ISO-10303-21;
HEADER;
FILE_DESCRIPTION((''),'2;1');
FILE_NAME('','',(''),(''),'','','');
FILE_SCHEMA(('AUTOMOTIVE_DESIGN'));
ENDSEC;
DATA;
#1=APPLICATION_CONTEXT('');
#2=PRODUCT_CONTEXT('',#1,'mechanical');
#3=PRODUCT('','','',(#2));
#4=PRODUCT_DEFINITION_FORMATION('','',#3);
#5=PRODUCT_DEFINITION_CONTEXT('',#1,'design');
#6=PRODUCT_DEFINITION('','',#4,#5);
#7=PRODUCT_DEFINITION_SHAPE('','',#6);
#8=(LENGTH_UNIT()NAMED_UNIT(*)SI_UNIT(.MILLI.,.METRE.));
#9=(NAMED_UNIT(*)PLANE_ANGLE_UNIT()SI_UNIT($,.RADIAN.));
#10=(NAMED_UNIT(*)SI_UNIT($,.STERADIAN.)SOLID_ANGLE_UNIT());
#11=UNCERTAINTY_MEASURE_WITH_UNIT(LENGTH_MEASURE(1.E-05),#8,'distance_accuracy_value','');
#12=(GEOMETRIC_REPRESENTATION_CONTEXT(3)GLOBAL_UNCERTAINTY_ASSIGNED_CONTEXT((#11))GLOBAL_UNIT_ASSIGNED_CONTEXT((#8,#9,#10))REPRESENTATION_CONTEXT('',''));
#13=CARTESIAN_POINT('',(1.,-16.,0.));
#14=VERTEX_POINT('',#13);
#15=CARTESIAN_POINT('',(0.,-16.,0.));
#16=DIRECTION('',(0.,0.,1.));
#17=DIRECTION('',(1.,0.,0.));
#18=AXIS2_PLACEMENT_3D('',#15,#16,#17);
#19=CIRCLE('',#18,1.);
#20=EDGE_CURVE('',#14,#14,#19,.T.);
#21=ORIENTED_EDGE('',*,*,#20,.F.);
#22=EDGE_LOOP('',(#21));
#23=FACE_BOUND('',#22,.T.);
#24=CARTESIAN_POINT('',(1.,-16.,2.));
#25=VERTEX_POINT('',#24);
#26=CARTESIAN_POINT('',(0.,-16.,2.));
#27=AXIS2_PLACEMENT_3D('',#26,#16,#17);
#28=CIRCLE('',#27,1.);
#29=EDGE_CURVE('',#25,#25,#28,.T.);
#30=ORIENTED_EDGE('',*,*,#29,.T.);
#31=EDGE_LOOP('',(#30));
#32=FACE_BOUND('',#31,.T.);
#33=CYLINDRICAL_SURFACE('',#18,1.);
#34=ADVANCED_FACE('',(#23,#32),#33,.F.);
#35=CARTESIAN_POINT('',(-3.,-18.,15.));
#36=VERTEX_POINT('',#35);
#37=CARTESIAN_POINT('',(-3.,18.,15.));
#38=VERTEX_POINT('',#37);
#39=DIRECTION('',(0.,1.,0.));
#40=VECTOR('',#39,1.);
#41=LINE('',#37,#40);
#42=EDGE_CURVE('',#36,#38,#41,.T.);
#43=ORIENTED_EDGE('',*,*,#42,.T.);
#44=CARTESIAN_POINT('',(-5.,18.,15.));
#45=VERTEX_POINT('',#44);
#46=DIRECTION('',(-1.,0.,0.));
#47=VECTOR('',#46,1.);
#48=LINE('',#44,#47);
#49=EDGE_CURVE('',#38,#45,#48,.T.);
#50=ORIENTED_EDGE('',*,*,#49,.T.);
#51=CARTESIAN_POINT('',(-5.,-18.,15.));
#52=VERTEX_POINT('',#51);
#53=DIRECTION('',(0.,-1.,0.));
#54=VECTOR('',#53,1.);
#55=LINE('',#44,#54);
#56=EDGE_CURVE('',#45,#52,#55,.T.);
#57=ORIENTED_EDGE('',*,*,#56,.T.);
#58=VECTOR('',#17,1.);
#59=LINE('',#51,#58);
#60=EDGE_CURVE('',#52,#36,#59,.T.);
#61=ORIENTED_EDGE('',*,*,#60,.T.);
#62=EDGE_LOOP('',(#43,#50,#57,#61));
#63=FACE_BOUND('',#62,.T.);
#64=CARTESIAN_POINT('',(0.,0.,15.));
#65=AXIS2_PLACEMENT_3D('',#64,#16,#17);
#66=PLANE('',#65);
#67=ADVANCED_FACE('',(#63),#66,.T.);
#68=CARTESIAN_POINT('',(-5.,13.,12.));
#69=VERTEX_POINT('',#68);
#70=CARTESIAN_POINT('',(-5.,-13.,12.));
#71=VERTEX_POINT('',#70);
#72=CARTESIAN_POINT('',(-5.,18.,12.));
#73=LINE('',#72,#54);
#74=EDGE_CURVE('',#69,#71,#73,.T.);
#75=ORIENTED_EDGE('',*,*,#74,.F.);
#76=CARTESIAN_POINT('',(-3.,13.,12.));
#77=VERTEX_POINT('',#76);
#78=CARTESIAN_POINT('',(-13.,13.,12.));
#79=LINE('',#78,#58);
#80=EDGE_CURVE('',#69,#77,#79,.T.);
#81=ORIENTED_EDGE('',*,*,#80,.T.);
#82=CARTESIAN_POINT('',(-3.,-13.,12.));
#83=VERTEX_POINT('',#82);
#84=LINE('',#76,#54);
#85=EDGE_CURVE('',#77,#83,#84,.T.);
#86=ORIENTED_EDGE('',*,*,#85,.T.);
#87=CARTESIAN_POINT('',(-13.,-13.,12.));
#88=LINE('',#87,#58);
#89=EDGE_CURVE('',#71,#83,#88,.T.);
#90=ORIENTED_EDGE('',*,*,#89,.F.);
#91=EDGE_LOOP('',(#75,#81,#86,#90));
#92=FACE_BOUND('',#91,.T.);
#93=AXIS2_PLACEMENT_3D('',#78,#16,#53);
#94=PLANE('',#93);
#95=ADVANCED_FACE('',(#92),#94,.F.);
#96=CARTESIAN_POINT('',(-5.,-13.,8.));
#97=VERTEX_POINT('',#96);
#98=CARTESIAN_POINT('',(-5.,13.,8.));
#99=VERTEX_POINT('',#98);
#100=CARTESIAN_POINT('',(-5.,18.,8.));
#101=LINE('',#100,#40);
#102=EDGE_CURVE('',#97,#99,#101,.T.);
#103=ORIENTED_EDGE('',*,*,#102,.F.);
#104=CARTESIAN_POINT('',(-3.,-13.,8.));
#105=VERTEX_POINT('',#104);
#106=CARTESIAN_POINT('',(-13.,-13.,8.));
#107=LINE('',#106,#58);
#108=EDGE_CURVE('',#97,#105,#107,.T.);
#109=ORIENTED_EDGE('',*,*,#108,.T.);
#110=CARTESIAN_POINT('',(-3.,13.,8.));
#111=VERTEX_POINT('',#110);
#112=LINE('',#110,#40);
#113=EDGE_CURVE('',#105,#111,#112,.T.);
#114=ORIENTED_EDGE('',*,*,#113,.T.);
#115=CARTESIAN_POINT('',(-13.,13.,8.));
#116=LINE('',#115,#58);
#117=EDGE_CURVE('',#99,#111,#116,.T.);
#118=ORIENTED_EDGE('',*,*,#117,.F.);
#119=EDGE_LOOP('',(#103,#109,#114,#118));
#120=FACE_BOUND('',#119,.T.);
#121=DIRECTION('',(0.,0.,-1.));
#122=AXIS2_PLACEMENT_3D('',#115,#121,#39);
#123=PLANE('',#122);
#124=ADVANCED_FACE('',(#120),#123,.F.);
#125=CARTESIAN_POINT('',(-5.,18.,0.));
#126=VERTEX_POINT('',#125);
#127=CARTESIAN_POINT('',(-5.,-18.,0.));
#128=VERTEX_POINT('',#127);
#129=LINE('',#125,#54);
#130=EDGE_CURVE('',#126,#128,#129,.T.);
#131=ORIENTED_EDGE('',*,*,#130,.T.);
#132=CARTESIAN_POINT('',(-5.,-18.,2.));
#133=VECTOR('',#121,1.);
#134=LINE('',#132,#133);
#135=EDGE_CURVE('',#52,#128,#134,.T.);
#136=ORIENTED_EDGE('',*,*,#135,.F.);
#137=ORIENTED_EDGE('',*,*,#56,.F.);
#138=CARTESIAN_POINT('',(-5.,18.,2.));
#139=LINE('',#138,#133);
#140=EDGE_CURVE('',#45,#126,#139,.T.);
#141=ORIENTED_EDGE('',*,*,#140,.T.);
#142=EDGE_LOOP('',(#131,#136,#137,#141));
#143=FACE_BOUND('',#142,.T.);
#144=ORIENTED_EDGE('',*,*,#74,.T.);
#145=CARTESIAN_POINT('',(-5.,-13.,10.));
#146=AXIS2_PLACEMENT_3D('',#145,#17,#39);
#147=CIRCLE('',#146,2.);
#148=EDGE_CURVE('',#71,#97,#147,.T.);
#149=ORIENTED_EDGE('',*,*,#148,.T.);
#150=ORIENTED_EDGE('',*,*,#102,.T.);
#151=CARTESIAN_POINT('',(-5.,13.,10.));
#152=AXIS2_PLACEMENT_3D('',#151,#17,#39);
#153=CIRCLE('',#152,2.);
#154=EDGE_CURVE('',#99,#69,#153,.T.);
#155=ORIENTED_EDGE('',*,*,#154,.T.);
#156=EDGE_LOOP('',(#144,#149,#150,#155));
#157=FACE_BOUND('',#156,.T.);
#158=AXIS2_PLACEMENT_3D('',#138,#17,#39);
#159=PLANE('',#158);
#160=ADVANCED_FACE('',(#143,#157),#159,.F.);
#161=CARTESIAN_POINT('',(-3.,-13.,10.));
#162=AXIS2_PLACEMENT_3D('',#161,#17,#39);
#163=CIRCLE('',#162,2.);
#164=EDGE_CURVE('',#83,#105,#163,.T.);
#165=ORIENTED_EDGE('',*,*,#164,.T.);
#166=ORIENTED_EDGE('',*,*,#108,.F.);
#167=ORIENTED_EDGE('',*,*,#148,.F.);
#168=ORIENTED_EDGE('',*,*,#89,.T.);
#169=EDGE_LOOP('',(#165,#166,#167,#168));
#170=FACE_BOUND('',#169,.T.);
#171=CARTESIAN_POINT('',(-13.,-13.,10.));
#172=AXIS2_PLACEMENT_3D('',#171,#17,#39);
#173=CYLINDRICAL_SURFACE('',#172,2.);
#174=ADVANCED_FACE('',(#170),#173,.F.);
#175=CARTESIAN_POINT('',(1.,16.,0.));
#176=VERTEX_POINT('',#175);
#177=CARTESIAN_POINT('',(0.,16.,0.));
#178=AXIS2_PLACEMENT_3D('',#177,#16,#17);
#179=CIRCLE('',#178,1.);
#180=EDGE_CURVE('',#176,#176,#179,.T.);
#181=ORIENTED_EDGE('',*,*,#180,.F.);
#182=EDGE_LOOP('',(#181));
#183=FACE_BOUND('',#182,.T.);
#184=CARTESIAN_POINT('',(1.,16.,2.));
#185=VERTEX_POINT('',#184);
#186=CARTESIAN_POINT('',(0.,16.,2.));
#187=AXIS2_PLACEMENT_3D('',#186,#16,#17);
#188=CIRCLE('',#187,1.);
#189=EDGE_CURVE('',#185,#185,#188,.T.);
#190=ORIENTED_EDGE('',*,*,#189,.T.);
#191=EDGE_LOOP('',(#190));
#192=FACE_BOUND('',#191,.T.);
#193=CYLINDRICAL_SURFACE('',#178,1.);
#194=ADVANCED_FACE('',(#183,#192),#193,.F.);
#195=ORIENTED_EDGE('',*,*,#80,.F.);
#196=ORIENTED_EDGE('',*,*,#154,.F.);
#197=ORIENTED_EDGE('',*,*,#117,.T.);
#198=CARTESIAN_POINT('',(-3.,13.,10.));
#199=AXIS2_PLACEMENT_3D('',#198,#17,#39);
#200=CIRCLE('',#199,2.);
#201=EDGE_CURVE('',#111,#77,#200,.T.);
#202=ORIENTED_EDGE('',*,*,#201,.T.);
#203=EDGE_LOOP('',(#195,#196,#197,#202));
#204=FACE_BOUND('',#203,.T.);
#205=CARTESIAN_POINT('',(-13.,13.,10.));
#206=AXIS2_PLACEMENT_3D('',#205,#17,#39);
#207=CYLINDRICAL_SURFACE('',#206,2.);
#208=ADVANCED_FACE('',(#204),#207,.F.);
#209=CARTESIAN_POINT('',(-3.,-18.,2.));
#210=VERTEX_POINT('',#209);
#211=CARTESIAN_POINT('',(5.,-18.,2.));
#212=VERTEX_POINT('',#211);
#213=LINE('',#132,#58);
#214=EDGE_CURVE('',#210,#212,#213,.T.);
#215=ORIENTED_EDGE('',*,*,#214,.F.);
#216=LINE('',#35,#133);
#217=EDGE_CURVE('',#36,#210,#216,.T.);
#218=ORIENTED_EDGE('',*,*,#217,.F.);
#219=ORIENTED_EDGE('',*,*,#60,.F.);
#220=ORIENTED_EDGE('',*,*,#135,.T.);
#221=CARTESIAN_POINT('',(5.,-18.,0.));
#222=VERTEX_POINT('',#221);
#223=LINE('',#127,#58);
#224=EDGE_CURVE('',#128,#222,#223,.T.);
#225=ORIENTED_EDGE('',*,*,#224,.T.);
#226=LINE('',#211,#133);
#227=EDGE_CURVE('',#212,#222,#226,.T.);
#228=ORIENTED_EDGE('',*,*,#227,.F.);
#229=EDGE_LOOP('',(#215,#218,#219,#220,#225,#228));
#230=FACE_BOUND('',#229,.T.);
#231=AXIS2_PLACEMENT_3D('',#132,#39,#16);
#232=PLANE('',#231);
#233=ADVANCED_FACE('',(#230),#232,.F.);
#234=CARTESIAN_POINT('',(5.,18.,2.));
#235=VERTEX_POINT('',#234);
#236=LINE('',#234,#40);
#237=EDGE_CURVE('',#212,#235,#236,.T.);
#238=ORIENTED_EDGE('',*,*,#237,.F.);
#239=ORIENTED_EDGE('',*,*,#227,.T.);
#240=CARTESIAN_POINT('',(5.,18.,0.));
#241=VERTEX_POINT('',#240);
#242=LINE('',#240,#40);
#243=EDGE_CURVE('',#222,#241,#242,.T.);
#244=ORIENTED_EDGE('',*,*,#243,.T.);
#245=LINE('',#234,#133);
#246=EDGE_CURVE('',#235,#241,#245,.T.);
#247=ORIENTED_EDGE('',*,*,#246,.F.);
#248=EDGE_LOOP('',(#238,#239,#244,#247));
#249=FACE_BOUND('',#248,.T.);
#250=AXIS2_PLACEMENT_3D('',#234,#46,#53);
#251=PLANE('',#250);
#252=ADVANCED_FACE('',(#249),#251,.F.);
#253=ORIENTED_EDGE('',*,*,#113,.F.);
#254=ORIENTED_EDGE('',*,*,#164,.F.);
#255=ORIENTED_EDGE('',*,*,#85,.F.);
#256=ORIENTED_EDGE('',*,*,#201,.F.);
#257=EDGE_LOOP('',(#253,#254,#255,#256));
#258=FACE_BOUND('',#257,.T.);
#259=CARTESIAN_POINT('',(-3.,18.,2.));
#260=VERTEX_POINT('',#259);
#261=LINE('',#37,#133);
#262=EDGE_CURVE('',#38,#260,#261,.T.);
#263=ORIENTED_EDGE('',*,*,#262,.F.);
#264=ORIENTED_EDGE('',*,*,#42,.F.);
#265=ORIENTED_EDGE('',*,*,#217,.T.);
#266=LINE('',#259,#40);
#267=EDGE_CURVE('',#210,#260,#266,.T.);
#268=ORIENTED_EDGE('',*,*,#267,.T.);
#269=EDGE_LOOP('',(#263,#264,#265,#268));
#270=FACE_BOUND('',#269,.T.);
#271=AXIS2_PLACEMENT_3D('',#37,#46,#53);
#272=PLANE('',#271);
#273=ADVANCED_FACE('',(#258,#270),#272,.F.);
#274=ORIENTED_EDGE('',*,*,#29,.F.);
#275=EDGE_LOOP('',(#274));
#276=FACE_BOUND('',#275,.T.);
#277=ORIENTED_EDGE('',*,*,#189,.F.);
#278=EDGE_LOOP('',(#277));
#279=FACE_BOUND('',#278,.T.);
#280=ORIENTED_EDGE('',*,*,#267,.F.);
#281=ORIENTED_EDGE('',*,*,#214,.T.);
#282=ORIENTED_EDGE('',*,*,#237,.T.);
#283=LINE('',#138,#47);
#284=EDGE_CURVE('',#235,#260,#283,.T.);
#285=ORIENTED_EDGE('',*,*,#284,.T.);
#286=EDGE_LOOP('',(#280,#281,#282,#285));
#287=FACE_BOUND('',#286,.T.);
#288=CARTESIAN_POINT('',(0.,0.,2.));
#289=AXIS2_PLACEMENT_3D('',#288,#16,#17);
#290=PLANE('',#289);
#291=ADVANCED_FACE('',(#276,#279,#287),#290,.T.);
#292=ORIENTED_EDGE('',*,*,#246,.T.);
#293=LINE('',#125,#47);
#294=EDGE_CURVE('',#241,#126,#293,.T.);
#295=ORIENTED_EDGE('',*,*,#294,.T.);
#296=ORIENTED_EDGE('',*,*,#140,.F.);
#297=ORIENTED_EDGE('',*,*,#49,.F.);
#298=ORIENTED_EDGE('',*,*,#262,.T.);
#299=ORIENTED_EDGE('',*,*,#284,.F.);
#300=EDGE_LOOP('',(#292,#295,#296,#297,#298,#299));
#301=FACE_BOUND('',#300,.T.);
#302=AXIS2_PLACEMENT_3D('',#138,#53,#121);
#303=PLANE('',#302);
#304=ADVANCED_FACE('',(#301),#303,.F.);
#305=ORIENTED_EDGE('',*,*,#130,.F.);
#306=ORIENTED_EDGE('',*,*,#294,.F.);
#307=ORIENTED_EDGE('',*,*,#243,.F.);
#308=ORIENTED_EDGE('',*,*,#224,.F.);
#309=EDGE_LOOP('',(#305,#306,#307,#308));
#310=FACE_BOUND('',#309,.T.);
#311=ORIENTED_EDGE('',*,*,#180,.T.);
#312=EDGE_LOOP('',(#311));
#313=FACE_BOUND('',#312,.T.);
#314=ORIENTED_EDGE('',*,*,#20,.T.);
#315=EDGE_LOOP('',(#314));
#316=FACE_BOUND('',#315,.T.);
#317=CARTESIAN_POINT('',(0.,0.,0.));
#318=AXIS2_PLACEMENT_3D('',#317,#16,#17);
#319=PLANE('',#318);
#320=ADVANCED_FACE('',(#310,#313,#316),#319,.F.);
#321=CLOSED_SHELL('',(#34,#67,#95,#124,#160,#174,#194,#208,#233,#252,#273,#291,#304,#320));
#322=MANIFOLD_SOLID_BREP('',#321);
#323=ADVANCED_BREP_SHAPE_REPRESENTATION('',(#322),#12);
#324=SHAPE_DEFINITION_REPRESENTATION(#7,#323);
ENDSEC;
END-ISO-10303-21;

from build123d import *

# Parameters (mm, degrees)
SKETCH2_W           = 10
SKETCH2_H           = 36
BOSS_EXTRUDE1_DEPTH = 2
SKETCH3_R           = 1
CUT_EXTRUDE1_DEPTH  = 2
SKETCH4_W           = 2
SKETCH4_H           = 36
BOSS_EXTRUDE2_DEPTH = 13
CUT_EXTRUDE2_DEPTH  = 10


with BuildPart() as part:
    # Sketch2 → Boss-Extrude1 (new body)
    with BuildSketch(Plane.XY):
        Rectangle(SKETCH2_W, SKETCH2_H)
    extrude(amount=BOSS_EXTRUDE1_DEPTH)

    # Sketch3 → Cut-Extrude1 (cut)
    with BuildSketch(Plane.XY.offset(2)):
        with Locations((0, 16)):
            Circle(SKETCH3_R)
        with Locations((0, -16)):
            Circle(SKETCH3_R)
    extrude(amount=-CUT_EXTRUDE1_DEPTH, mode=Mode.SUBTRACT)

    # Sketch4 → Boss-Extrude2 (add)
    with BuildSketch(Plane.XY.offset(2)):
        with Locations((-4, 0)):
            Rectangle(SKETCH4_W, SKETCH4_H)
    extrude(amount=BOSS_EXTRUDE2_DEPTH)

    # Sketch5 → Cut-Extrude2 (cut)
    with BuildSketch(Plane(origin=(-3, 0, 0), x_dir=(0, 0, -1), z_dir=(1, 0, 0))):
        with BuildLine():
            Line((-8, 13), (-8, -13))
            ThreePointArc((-8, -13), (-10, -15), (-12, -13))
            Line((-12, -13), (-12, 13))
            ThreePointArc((-12, 13), (-10, 15), (-8, 13))
        make_face()
    extrude(amount=-CUT_EXTRUDE2_DEPTH, mode=Mode.SUBTRACT)


solid = part.part
